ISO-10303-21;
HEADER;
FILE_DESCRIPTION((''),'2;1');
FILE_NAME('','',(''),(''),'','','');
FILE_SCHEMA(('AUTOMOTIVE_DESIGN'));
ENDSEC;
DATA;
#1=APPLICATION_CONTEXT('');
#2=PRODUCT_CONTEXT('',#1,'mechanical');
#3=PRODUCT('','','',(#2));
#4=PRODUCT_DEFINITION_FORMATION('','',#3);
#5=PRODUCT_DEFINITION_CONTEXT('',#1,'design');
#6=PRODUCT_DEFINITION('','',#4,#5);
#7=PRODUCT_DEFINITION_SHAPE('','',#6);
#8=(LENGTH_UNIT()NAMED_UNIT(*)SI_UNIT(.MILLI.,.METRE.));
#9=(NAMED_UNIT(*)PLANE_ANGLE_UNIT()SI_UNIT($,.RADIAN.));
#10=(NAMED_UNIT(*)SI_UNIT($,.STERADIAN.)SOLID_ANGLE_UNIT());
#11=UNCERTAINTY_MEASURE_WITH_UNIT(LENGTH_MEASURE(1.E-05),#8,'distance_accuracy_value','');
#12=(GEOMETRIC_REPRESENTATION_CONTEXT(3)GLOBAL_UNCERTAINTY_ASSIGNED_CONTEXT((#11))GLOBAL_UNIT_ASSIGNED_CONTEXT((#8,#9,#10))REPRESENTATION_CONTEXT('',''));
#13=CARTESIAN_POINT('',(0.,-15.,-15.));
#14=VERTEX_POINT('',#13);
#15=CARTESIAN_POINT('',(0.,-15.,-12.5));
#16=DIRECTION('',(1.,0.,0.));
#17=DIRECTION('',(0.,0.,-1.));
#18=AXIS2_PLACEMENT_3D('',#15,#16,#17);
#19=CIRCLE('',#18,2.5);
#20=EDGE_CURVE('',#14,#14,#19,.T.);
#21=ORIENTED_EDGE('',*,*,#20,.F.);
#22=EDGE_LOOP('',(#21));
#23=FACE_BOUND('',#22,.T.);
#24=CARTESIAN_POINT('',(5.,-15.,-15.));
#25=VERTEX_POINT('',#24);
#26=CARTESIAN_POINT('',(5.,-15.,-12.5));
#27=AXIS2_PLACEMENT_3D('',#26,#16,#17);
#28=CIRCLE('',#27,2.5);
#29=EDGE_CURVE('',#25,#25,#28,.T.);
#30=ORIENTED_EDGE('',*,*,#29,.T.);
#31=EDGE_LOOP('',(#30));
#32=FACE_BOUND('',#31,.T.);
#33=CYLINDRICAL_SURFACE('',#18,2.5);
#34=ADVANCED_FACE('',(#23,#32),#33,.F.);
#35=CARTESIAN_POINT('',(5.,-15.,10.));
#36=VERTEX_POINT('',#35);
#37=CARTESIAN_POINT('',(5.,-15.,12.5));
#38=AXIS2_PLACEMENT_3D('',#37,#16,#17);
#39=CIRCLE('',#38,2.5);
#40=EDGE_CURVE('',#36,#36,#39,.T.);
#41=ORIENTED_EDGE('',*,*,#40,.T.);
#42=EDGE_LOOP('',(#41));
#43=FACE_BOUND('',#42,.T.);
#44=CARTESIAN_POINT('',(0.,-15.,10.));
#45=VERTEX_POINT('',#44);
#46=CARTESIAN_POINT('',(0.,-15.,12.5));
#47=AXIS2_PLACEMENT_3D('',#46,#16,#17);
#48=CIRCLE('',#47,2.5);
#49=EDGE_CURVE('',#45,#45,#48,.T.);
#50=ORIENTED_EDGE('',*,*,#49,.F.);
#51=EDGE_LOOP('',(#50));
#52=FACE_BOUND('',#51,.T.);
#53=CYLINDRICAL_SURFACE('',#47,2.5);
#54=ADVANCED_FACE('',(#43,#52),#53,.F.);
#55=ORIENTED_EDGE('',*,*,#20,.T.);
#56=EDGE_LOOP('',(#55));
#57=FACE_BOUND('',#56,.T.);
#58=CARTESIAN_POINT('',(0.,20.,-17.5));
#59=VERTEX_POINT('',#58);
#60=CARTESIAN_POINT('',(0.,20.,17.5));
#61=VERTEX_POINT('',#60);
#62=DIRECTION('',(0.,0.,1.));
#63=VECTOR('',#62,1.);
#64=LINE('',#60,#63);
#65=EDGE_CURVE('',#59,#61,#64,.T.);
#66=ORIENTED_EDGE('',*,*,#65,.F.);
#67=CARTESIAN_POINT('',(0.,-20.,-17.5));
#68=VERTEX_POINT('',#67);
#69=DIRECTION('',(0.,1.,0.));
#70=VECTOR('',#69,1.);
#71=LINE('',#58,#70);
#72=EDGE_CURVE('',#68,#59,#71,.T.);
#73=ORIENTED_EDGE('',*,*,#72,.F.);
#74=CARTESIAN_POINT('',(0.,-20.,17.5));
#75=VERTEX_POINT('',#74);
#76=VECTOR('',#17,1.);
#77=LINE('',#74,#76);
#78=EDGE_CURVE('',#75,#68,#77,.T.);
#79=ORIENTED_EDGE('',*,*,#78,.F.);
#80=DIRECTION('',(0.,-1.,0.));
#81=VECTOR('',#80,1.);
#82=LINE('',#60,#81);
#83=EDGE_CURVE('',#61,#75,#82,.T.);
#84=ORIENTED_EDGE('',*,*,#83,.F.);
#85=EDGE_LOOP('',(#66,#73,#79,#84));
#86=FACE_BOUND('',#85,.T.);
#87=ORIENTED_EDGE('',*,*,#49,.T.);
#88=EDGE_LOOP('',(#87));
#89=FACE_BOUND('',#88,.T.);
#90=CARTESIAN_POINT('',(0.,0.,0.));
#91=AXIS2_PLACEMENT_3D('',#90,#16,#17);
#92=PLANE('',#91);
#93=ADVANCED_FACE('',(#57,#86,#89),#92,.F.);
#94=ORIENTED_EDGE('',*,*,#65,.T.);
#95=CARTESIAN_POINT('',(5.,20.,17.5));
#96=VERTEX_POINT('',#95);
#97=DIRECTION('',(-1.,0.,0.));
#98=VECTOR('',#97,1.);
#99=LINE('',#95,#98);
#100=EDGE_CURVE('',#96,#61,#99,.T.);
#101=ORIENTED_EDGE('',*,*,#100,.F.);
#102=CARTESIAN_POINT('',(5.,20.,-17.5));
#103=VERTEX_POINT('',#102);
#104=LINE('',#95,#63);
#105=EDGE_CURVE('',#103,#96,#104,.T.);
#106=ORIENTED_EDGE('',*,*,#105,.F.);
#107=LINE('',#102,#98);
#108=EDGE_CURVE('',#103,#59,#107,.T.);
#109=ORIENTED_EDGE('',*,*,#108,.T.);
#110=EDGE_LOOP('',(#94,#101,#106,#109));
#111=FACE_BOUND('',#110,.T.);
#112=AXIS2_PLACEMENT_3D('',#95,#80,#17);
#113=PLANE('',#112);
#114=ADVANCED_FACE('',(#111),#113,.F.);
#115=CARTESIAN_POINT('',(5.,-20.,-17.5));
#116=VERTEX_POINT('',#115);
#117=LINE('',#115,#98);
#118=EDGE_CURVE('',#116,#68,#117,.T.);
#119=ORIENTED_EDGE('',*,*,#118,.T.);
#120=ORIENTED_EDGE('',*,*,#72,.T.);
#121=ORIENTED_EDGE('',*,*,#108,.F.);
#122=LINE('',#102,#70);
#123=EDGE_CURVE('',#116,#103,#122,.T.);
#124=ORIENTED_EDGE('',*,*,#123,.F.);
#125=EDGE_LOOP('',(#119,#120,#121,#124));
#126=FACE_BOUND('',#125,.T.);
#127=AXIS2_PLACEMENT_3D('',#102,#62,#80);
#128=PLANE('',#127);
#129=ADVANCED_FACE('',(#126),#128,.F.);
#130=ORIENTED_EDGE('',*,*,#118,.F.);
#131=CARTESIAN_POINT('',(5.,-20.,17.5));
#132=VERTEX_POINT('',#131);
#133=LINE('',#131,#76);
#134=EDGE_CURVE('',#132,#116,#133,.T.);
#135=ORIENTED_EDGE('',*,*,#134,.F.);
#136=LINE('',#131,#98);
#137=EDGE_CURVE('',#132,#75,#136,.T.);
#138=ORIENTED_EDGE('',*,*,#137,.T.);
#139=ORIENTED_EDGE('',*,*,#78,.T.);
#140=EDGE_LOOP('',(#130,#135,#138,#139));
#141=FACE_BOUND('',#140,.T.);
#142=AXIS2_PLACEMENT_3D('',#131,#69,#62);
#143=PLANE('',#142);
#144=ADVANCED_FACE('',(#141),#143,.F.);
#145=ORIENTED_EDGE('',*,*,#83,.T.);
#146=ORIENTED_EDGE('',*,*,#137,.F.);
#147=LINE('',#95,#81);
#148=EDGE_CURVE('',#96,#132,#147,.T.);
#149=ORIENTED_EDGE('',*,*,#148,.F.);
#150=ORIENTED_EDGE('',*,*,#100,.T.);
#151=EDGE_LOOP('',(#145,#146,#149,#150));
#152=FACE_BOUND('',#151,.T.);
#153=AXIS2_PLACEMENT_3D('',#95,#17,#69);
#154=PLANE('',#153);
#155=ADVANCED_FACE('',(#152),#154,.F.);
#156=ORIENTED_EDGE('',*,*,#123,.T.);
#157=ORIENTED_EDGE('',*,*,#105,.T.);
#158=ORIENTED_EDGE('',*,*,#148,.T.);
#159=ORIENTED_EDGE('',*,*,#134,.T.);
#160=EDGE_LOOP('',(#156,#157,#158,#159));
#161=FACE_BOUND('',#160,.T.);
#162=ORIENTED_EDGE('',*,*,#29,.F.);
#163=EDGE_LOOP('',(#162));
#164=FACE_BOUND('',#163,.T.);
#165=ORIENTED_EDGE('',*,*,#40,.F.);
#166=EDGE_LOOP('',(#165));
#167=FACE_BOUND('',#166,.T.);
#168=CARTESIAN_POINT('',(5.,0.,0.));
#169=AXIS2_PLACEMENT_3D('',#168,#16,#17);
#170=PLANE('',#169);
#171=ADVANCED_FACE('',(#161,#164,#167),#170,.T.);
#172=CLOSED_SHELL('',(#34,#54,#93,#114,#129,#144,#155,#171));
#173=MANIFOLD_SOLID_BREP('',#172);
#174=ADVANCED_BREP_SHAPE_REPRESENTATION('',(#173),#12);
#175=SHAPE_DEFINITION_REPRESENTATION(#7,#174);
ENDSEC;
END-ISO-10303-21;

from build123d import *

# Parameters (mm, degrees)
SKETCH1_W           = 35
SKETCH1_H           = 40
BOSS_EXTRUDE1_DEPTH = 5
SKETCH2_R           = 2.5
CUT_EXTRUDE1_DEPTH  = 28.041634566


with BuildPart() as part:
    # Sketch1 → Boss-Extrude1 (new body)
    with BuildSketch(Plane(origin=(0, 0, 0), x_dir=(0, 0, -1), z_dir=(1, 0, 0))):
        Rectangle(SKETCH1_W, SKETCH1_H)
    extrude(amount=BOSS_EXTRUDE1_DEPTH)

    # Sketch2 → Cut-Extrude1 (cut, through all)
    with BuildSketch(Plane(origin=(5, 0, 0), x_dir=(0, 0, -1), z_dir=(1, 0, 0))):
        with Locations((-12.5, -15)):
            Circle(SKETCH2_R)
        with Locations((12.5, -15)):
            Circle(SKETCH2_R)
    extrude(amount=-CUT_EXTRUDE1_DEPTH, mode=Mode.SUBTRACT)


solid = part.part
